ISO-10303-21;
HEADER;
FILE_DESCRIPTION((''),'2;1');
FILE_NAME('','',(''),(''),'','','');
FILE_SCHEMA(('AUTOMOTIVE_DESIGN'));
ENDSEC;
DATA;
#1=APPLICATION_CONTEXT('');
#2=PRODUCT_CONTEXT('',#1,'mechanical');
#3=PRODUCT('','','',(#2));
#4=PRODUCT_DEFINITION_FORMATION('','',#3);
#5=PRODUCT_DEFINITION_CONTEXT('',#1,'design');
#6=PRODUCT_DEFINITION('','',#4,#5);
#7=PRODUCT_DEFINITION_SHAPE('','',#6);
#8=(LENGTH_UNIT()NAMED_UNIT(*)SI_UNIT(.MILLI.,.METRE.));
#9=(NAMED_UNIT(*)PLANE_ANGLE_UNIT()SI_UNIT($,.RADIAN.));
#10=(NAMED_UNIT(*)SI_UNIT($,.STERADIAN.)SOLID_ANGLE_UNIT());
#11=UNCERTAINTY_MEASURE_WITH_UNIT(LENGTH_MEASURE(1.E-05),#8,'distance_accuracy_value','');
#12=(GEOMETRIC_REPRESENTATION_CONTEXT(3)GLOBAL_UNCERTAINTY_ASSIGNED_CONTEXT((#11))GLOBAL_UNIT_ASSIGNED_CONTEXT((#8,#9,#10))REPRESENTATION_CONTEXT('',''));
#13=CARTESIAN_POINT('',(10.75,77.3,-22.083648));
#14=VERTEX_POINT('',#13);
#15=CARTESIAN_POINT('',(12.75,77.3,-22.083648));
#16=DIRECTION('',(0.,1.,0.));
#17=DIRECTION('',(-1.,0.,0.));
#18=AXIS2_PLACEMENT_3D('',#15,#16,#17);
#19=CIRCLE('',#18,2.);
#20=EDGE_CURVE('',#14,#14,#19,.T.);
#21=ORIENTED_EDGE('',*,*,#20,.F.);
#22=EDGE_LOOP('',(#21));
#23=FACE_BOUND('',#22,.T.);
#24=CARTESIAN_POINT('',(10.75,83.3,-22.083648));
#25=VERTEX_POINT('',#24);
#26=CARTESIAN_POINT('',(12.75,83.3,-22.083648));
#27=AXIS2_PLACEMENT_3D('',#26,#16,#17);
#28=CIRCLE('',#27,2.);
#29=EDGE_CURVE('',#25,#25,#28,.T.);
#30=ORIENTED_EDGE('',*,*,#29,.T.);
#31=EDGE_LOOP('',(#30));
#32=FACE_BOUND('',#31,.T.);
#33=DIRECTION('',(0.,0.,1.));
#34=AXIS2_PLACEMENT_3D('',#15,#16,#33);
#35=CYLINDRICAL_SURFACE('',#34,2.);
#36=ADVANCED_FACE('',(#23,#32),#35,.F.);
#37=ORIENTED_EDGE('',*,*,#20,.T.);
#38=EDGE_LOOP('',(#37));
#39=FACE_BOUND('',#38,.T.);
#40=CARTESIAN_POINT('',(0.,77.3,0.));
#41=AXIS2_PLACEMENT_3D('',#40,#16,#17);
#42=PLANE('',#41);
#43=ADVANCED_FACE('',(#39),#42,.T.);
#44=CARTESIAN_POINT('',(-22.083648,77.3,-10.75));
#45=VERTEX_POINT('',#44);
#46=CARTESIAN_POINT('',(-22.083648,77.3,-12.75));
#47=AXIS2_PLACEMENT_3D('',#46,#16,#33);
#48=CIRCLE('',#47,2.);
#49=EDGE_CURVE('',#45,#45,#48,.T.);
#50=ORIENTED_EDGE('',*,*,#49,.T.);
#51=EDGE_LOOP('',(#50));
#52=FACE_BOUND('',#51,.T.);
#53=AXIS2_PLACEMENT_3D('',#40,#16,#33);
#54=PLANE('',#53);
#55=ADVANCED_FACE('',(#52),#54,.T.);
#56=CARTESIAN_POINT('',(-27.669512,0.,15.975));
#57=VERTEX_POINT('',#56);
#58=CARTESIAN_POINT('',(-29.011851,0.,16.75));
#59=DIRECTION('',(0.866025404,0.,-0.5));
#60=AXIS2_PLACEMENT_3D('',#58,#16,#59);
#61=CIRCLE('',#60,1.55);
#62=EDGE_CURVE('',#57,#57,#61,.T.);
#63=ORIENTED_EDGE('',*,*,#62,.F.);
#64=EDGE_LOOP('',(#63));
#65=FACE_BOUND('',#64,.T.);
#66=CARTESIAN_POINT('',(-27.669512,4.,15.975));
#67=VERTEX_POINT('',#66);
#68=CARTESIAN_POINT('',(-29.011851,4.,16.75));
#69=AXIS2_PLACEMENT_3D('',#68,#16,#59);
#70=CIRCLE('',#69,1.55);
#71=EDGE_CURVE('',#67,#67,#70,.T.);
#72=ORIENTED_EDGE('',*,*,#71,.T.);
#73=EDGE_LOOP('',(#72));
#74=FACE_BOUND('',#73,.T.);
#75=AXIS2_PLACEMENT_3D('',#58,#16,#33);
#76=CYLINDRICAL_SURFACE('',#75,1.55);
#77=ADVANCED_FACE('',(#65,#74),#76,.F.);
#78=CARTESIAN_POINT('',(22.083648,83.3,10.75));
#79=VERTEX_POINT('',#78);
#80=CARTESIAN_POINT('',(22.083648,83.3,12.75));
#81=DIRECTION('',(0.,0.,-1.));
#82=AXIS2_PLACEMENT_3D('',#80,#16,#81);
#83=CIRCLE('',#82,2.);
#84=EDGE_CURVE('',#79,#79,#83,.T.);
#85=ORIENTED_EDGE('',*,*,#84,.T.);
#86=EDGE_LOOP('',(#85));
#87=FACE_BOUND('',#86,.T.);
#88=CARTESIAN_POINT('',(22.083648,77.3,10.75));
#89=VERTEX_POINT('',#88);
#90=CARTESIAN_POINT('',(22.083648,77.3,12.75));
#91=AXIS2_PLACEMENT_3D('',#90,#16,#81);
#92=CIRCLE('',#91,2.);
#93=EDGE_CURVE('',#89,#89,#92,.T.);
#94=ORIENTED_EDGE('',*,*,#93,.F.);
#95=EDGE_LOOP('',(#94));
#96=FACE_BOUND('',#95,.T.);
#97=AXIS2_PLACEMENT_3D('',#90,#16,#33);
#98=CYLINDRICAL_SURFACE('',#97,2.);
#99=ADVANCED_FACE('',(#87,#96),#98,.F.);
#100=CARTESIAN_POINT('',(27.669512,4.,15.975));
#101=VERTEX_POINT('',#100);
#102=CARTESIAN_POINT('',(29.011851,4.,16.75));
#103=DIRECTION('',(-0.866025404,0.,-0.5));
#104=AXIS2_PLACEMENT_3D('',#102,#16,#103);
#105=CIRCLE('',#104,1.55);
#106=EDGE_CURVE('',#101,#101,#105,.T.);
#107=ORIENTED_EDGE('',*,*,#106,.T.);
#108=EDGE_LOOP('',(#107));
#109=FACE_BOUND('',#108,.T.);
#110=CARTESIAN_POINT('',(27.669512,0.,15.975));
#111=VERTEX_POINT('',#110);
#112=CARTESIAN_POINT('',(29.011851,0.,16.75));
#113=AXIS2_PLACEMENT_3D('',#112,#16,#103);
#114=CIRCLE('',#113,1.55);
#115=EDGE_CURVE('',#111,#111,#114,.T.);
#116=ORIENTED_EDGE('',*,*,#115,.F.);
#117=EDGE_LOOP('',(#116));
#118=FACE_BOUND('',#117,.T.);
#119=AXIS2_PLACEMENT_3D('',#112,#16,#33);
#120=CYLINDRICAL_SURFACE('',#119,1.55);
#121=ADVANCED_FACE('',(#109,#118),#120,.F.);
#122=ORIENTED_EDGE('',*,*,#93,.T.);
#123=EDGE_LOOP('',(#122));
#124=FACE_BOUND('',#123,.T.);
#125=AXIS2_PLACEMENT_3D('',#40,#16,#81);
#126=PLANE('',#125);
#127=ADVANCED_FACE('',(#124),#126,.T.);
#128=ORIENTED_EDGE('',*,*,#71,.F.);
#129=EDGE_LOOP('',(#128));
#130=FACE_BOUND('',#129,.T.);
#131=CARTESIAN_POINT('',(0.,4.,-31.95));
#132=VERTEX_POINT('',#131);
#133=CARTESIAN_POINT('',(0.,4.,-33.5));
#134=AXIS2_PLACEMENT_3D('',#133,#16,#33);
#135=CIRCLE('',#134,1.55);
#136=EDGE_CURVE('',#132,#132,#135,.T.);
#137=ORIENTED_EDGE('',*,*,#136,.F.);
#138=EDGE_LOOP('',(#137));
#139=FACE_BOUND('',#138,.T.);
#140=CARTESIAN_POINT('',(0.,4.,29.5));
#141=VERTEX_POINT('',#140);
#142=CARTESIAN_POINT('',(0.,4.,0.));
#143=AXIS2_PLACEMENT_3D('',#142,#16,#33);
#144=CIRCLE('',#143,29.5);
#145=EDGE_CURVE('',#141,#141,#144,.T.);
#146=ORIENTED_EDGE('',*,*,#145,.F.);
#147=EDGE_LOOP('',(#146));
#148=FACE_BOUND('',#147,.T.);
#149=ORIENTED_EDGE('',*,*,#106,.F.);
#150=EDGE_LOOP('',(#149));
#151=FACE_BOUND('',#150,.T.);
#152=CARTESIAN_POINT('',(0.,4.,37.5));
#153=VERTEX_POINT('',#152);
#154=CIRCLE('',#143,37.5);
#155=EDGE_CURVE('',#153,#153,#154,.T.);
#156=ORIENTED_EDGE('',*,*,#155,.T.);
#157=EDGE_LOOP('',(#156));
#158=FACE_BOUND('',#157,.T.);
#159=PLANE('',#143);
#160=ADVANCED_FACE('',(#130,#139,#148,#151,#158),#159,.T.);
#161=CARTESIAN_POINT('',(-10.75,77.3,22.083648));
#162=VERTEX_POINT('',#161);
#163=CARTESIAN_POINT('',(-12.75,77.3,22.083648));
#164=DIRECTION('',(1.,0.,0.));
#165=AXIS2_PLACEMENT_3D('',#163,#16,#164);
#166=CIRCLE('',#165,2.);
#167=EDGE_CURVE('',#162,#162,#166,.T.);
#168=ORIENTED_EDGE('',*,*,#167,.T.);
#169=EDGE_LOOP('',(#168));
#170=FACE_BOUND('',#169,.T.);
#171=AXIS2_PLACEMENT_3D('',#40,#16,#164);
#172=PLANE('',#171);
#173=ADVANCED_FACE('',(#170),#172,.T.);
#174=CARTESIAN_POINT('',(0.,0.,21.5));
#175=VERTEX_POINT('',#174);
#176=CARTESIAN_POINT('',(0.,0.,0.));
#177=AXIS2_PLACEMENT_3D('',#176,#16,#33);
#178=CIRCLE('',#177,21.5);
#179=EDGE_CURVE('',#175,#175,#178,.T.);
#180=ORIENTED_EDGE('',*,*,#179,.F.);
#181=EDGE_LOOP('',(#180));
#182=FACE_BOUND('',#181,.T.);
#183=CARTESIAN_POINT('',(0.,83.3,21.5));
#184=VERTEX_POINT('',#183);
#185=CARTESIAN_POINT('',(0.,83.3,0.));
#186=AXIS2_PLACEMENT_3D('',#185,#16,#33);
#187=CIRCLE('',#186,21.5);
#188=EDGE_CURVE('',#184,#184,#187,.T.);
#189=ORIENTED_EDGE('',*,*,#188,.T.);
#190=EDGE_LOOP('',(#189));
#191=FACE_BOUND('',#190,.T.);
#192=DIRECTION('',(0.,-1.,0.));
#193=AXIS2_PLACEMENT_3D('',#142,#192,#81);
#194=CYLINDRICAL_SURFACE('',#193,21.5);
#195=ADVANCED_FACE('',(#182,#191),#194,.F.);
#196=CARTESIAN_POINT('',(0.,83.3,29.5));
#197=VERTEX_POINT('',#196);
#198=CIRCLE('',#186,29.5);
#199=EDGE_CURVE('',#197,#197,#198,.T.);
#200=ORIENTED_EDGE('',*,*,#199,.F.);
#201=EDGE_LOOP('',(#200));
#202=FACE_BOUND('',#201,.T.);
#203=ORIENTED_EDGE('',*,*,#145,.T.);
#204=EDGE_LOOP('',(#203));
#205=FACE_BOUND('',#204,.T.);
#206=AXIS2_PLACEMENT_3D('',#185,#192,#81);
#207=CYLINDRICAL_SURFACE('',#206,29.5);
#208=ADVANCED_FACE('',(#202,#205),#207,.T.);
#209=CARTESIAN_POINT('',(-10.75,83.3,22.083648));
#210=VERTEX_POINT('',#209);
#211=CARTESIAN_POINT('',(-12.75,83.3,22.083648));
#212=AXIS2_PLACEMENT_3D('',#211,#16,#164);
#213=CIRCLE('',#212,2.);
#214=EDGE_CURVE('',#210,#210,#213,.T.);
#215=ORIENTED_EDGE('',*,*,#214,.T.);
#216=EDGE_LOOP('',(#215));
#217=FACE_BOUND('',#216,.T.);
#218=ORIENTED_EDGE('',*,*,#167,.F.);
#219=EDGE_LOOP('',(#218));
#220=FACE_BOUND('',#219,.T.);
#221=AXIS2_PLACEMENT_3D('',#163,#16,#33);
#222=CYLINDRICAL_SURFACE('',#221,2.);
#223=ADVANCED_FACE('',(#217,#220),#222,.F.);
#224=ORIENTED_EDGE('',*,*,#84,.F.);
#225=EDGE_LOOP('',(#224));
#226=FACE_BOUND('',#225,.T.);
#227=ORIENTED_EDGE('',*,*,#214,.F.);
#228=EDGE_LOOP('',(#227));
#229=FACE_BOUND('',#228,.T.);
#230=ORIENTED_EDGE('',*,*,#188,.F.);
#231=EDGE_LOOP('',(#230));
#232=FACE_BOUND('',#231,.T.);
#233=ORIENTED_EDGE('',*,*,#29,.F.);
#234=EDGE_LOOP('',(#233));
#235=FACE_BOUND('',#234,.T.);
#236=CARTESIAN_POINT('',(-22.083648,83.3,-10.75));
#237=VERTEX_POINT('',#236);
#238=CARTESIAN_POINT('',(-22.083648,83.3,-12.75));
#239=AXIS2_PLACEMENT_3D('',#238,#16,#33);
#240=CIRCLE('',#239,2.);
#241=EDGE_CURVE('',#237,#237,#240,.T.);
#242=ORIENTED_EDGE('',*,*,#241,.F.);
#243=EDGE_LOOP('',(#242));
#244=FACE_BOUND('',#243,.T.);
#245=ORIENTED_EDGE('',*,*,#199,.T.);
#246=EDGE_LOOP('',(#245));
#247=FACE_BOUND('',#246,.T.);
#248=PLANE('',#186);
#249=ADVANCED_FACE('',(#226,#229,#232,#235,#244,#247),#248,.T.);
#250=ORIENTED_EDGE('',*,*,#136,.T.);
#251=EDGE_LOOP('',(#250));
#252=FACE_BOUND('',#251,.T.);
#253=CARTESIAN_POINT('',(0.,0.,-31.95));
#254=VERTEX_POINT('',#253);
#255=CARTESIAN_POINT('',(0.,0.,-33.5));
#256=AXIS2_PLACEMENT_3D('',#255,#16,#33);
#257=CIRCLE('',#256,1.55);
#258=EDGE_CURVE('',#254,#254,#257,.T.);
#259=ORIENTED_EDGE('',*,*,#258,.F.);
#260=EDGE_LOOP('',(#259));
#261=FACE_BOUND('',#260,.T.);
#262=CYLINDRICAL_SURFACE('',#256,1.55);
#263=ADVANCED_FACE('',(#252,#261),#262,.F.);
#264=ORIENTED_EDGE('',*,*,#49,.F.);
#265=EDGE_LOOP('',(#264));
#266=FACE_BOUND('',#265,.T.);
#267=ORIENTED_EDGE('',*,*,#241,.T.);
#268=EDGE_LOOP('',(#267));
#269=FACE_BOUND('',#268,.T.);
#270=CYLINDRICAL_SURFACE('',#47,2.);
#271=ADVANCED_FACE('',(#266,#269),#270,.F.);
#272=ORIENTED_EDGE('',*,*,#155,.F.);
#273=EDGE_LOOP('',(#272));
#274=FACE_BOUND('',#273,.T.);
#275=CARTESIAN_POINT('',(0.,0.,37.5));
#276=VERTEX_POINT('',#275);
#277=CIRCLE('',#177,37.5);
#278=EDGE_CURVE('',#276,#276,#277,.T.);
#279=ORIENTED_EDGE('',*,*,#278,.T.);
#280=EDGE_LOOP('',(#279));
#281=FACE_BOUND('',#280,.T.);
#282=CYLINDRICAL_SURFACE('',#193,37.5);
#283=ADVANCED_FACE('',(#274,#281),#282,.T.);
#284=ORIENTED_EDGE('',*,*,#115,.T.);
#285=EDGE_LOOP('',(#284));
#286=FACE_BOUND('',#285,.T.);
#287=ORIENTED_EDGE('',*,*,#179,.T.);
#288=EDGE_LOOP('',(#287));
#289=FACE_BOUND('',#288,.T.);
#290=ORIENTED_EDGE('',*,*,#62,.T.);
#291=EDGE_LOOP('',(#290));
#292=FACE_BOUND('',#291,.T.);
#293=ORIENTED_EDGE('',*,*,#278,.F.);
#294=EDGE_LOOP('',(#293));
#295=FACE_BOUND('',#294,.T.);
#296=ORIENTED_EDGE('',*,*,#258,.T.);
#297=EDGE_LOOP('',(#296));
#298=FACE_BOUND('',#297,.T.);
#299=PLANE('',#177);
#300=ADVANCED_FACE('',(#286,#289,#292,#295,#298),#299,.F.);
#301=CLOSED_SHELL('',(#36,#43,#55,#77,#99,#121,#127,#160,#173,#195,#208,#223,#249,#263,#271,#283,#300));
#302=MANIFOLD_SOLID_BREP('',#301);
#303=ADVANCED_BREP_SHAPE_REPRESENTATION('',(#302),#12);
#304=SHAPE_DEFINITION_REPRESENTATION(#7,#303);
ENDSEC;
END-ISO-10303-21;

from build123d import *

# Parameters (mm, degrees)
SKETCH1_R           = 37.5
SKETCH1_R_2         = 21.5
BOSS_EXTRUDE1_DEPTH = 4
SKETCH2_R           = 29.5
SKETCH2_R_2         = 21.5
BOSS_EXTRUDE2_DEPTH = 79.3
SKETCH3_R           = 1.55
CUT_EXTRUDE1_DEPTH  = 96.399109011
CIRPATTERN1_COUNT   = 3
SKETCH4_R           = 2
CUT_EXTRUDE2_DEPTH  = 6
CIRPATTERN2_COUNT   = 4


with BuildPart() as part:
    # Sketch1 → Boss-Extrude1 (new body)
    with BuildSketch(Plane(origin=(0, 0, 0), x_dir=(1, 0, 0), z_dir=(0, 1, 0))):
        with Locations(Location((0, 0, 0), (0, 0, 270))):
            Circle(SKETCH1_R)
        with Locations(Location((0, 0, 0), (0, 0, 270))):
            Circle(SKETCH1_R_2, mode=Mode.SUBTRACT)
    extrude(amount=BOSS_EXTRUDE1_DEPTH)

    # Sketch2 → Boss-Extrude2 (add)
    with BuildSketch(Plane(origin=(0, 4, 0), x_dir=(1, 0, 0), z_dir=(0, 1, 0))):
        with Locations(Location((0, 0, 0), (0, 0, 270))):
            Circle(SKETCH2_R)
        with Locations(Location((0, 0, 0), (0, 0, 270))):
            Circle(SKETCH2_R_2, mode=Mode.SUBTRACT)
    extrude(amount=BOSS_EXTRUDE2_DEPTH)

    # Sketch3 → Cut-Extrude1 (cut, through all)
    with BuildSketch(Plane(origin=(0, 4, 0), x_dir=(1, 0, 0), z_dir=(0, 1, 0))):
        with Locations(Location((0, 33.5, 0), (0, 0, 270))):
            Circle(SKETCH3_R)
    cut_extrude1 = extrude(amount=-CUT_EXTRUDE1_DEPTH, mode=Mode.SUBTRACT)

    # CirPattern1: Cut-Extrude1 ×3 about axis
    cirpattern1_axis = Axis((0, 0, 0), (0, 1, 0))
    for i in range(1, CIRPATTERN1_COUNT):
        add(cut_extrude1.rotate(cirpattern1_axis, i * 360 / CIRPATTERN1_COUNT), mode=Mode.SUBTRACT)

    # Sketch4 → Cut-Extrude2 (cut)
    with BuildSketch(Plane(origin=(0, 83.3, 0), x_dir=(1, 0, 0), z_dir=(0, 1, 0))):
        with Locations(Location((-22.083647797, 12.75, 0), (0, 0, 270))):
            Circle(SKETCH4_R)
    cut_extrude2 = extrude(amount=-CUT_EXTRUDE2_DEPTH, mode=Mode.SUBTRACT)

    # CirPattern2: Cut-Extrude2 ×4 about axis
    cirpattern2_axis = Axis((0, 0, 0), (0, 1, 0))
    for i in range(1, CIRPATTERN2_COUNT):
        add(cut_extrude2.rotate(cirpattern2_axis, i * 360 / CIRPATTERN2_COUNT), mode=Mode.SUBTRACT)


solid = part.part
